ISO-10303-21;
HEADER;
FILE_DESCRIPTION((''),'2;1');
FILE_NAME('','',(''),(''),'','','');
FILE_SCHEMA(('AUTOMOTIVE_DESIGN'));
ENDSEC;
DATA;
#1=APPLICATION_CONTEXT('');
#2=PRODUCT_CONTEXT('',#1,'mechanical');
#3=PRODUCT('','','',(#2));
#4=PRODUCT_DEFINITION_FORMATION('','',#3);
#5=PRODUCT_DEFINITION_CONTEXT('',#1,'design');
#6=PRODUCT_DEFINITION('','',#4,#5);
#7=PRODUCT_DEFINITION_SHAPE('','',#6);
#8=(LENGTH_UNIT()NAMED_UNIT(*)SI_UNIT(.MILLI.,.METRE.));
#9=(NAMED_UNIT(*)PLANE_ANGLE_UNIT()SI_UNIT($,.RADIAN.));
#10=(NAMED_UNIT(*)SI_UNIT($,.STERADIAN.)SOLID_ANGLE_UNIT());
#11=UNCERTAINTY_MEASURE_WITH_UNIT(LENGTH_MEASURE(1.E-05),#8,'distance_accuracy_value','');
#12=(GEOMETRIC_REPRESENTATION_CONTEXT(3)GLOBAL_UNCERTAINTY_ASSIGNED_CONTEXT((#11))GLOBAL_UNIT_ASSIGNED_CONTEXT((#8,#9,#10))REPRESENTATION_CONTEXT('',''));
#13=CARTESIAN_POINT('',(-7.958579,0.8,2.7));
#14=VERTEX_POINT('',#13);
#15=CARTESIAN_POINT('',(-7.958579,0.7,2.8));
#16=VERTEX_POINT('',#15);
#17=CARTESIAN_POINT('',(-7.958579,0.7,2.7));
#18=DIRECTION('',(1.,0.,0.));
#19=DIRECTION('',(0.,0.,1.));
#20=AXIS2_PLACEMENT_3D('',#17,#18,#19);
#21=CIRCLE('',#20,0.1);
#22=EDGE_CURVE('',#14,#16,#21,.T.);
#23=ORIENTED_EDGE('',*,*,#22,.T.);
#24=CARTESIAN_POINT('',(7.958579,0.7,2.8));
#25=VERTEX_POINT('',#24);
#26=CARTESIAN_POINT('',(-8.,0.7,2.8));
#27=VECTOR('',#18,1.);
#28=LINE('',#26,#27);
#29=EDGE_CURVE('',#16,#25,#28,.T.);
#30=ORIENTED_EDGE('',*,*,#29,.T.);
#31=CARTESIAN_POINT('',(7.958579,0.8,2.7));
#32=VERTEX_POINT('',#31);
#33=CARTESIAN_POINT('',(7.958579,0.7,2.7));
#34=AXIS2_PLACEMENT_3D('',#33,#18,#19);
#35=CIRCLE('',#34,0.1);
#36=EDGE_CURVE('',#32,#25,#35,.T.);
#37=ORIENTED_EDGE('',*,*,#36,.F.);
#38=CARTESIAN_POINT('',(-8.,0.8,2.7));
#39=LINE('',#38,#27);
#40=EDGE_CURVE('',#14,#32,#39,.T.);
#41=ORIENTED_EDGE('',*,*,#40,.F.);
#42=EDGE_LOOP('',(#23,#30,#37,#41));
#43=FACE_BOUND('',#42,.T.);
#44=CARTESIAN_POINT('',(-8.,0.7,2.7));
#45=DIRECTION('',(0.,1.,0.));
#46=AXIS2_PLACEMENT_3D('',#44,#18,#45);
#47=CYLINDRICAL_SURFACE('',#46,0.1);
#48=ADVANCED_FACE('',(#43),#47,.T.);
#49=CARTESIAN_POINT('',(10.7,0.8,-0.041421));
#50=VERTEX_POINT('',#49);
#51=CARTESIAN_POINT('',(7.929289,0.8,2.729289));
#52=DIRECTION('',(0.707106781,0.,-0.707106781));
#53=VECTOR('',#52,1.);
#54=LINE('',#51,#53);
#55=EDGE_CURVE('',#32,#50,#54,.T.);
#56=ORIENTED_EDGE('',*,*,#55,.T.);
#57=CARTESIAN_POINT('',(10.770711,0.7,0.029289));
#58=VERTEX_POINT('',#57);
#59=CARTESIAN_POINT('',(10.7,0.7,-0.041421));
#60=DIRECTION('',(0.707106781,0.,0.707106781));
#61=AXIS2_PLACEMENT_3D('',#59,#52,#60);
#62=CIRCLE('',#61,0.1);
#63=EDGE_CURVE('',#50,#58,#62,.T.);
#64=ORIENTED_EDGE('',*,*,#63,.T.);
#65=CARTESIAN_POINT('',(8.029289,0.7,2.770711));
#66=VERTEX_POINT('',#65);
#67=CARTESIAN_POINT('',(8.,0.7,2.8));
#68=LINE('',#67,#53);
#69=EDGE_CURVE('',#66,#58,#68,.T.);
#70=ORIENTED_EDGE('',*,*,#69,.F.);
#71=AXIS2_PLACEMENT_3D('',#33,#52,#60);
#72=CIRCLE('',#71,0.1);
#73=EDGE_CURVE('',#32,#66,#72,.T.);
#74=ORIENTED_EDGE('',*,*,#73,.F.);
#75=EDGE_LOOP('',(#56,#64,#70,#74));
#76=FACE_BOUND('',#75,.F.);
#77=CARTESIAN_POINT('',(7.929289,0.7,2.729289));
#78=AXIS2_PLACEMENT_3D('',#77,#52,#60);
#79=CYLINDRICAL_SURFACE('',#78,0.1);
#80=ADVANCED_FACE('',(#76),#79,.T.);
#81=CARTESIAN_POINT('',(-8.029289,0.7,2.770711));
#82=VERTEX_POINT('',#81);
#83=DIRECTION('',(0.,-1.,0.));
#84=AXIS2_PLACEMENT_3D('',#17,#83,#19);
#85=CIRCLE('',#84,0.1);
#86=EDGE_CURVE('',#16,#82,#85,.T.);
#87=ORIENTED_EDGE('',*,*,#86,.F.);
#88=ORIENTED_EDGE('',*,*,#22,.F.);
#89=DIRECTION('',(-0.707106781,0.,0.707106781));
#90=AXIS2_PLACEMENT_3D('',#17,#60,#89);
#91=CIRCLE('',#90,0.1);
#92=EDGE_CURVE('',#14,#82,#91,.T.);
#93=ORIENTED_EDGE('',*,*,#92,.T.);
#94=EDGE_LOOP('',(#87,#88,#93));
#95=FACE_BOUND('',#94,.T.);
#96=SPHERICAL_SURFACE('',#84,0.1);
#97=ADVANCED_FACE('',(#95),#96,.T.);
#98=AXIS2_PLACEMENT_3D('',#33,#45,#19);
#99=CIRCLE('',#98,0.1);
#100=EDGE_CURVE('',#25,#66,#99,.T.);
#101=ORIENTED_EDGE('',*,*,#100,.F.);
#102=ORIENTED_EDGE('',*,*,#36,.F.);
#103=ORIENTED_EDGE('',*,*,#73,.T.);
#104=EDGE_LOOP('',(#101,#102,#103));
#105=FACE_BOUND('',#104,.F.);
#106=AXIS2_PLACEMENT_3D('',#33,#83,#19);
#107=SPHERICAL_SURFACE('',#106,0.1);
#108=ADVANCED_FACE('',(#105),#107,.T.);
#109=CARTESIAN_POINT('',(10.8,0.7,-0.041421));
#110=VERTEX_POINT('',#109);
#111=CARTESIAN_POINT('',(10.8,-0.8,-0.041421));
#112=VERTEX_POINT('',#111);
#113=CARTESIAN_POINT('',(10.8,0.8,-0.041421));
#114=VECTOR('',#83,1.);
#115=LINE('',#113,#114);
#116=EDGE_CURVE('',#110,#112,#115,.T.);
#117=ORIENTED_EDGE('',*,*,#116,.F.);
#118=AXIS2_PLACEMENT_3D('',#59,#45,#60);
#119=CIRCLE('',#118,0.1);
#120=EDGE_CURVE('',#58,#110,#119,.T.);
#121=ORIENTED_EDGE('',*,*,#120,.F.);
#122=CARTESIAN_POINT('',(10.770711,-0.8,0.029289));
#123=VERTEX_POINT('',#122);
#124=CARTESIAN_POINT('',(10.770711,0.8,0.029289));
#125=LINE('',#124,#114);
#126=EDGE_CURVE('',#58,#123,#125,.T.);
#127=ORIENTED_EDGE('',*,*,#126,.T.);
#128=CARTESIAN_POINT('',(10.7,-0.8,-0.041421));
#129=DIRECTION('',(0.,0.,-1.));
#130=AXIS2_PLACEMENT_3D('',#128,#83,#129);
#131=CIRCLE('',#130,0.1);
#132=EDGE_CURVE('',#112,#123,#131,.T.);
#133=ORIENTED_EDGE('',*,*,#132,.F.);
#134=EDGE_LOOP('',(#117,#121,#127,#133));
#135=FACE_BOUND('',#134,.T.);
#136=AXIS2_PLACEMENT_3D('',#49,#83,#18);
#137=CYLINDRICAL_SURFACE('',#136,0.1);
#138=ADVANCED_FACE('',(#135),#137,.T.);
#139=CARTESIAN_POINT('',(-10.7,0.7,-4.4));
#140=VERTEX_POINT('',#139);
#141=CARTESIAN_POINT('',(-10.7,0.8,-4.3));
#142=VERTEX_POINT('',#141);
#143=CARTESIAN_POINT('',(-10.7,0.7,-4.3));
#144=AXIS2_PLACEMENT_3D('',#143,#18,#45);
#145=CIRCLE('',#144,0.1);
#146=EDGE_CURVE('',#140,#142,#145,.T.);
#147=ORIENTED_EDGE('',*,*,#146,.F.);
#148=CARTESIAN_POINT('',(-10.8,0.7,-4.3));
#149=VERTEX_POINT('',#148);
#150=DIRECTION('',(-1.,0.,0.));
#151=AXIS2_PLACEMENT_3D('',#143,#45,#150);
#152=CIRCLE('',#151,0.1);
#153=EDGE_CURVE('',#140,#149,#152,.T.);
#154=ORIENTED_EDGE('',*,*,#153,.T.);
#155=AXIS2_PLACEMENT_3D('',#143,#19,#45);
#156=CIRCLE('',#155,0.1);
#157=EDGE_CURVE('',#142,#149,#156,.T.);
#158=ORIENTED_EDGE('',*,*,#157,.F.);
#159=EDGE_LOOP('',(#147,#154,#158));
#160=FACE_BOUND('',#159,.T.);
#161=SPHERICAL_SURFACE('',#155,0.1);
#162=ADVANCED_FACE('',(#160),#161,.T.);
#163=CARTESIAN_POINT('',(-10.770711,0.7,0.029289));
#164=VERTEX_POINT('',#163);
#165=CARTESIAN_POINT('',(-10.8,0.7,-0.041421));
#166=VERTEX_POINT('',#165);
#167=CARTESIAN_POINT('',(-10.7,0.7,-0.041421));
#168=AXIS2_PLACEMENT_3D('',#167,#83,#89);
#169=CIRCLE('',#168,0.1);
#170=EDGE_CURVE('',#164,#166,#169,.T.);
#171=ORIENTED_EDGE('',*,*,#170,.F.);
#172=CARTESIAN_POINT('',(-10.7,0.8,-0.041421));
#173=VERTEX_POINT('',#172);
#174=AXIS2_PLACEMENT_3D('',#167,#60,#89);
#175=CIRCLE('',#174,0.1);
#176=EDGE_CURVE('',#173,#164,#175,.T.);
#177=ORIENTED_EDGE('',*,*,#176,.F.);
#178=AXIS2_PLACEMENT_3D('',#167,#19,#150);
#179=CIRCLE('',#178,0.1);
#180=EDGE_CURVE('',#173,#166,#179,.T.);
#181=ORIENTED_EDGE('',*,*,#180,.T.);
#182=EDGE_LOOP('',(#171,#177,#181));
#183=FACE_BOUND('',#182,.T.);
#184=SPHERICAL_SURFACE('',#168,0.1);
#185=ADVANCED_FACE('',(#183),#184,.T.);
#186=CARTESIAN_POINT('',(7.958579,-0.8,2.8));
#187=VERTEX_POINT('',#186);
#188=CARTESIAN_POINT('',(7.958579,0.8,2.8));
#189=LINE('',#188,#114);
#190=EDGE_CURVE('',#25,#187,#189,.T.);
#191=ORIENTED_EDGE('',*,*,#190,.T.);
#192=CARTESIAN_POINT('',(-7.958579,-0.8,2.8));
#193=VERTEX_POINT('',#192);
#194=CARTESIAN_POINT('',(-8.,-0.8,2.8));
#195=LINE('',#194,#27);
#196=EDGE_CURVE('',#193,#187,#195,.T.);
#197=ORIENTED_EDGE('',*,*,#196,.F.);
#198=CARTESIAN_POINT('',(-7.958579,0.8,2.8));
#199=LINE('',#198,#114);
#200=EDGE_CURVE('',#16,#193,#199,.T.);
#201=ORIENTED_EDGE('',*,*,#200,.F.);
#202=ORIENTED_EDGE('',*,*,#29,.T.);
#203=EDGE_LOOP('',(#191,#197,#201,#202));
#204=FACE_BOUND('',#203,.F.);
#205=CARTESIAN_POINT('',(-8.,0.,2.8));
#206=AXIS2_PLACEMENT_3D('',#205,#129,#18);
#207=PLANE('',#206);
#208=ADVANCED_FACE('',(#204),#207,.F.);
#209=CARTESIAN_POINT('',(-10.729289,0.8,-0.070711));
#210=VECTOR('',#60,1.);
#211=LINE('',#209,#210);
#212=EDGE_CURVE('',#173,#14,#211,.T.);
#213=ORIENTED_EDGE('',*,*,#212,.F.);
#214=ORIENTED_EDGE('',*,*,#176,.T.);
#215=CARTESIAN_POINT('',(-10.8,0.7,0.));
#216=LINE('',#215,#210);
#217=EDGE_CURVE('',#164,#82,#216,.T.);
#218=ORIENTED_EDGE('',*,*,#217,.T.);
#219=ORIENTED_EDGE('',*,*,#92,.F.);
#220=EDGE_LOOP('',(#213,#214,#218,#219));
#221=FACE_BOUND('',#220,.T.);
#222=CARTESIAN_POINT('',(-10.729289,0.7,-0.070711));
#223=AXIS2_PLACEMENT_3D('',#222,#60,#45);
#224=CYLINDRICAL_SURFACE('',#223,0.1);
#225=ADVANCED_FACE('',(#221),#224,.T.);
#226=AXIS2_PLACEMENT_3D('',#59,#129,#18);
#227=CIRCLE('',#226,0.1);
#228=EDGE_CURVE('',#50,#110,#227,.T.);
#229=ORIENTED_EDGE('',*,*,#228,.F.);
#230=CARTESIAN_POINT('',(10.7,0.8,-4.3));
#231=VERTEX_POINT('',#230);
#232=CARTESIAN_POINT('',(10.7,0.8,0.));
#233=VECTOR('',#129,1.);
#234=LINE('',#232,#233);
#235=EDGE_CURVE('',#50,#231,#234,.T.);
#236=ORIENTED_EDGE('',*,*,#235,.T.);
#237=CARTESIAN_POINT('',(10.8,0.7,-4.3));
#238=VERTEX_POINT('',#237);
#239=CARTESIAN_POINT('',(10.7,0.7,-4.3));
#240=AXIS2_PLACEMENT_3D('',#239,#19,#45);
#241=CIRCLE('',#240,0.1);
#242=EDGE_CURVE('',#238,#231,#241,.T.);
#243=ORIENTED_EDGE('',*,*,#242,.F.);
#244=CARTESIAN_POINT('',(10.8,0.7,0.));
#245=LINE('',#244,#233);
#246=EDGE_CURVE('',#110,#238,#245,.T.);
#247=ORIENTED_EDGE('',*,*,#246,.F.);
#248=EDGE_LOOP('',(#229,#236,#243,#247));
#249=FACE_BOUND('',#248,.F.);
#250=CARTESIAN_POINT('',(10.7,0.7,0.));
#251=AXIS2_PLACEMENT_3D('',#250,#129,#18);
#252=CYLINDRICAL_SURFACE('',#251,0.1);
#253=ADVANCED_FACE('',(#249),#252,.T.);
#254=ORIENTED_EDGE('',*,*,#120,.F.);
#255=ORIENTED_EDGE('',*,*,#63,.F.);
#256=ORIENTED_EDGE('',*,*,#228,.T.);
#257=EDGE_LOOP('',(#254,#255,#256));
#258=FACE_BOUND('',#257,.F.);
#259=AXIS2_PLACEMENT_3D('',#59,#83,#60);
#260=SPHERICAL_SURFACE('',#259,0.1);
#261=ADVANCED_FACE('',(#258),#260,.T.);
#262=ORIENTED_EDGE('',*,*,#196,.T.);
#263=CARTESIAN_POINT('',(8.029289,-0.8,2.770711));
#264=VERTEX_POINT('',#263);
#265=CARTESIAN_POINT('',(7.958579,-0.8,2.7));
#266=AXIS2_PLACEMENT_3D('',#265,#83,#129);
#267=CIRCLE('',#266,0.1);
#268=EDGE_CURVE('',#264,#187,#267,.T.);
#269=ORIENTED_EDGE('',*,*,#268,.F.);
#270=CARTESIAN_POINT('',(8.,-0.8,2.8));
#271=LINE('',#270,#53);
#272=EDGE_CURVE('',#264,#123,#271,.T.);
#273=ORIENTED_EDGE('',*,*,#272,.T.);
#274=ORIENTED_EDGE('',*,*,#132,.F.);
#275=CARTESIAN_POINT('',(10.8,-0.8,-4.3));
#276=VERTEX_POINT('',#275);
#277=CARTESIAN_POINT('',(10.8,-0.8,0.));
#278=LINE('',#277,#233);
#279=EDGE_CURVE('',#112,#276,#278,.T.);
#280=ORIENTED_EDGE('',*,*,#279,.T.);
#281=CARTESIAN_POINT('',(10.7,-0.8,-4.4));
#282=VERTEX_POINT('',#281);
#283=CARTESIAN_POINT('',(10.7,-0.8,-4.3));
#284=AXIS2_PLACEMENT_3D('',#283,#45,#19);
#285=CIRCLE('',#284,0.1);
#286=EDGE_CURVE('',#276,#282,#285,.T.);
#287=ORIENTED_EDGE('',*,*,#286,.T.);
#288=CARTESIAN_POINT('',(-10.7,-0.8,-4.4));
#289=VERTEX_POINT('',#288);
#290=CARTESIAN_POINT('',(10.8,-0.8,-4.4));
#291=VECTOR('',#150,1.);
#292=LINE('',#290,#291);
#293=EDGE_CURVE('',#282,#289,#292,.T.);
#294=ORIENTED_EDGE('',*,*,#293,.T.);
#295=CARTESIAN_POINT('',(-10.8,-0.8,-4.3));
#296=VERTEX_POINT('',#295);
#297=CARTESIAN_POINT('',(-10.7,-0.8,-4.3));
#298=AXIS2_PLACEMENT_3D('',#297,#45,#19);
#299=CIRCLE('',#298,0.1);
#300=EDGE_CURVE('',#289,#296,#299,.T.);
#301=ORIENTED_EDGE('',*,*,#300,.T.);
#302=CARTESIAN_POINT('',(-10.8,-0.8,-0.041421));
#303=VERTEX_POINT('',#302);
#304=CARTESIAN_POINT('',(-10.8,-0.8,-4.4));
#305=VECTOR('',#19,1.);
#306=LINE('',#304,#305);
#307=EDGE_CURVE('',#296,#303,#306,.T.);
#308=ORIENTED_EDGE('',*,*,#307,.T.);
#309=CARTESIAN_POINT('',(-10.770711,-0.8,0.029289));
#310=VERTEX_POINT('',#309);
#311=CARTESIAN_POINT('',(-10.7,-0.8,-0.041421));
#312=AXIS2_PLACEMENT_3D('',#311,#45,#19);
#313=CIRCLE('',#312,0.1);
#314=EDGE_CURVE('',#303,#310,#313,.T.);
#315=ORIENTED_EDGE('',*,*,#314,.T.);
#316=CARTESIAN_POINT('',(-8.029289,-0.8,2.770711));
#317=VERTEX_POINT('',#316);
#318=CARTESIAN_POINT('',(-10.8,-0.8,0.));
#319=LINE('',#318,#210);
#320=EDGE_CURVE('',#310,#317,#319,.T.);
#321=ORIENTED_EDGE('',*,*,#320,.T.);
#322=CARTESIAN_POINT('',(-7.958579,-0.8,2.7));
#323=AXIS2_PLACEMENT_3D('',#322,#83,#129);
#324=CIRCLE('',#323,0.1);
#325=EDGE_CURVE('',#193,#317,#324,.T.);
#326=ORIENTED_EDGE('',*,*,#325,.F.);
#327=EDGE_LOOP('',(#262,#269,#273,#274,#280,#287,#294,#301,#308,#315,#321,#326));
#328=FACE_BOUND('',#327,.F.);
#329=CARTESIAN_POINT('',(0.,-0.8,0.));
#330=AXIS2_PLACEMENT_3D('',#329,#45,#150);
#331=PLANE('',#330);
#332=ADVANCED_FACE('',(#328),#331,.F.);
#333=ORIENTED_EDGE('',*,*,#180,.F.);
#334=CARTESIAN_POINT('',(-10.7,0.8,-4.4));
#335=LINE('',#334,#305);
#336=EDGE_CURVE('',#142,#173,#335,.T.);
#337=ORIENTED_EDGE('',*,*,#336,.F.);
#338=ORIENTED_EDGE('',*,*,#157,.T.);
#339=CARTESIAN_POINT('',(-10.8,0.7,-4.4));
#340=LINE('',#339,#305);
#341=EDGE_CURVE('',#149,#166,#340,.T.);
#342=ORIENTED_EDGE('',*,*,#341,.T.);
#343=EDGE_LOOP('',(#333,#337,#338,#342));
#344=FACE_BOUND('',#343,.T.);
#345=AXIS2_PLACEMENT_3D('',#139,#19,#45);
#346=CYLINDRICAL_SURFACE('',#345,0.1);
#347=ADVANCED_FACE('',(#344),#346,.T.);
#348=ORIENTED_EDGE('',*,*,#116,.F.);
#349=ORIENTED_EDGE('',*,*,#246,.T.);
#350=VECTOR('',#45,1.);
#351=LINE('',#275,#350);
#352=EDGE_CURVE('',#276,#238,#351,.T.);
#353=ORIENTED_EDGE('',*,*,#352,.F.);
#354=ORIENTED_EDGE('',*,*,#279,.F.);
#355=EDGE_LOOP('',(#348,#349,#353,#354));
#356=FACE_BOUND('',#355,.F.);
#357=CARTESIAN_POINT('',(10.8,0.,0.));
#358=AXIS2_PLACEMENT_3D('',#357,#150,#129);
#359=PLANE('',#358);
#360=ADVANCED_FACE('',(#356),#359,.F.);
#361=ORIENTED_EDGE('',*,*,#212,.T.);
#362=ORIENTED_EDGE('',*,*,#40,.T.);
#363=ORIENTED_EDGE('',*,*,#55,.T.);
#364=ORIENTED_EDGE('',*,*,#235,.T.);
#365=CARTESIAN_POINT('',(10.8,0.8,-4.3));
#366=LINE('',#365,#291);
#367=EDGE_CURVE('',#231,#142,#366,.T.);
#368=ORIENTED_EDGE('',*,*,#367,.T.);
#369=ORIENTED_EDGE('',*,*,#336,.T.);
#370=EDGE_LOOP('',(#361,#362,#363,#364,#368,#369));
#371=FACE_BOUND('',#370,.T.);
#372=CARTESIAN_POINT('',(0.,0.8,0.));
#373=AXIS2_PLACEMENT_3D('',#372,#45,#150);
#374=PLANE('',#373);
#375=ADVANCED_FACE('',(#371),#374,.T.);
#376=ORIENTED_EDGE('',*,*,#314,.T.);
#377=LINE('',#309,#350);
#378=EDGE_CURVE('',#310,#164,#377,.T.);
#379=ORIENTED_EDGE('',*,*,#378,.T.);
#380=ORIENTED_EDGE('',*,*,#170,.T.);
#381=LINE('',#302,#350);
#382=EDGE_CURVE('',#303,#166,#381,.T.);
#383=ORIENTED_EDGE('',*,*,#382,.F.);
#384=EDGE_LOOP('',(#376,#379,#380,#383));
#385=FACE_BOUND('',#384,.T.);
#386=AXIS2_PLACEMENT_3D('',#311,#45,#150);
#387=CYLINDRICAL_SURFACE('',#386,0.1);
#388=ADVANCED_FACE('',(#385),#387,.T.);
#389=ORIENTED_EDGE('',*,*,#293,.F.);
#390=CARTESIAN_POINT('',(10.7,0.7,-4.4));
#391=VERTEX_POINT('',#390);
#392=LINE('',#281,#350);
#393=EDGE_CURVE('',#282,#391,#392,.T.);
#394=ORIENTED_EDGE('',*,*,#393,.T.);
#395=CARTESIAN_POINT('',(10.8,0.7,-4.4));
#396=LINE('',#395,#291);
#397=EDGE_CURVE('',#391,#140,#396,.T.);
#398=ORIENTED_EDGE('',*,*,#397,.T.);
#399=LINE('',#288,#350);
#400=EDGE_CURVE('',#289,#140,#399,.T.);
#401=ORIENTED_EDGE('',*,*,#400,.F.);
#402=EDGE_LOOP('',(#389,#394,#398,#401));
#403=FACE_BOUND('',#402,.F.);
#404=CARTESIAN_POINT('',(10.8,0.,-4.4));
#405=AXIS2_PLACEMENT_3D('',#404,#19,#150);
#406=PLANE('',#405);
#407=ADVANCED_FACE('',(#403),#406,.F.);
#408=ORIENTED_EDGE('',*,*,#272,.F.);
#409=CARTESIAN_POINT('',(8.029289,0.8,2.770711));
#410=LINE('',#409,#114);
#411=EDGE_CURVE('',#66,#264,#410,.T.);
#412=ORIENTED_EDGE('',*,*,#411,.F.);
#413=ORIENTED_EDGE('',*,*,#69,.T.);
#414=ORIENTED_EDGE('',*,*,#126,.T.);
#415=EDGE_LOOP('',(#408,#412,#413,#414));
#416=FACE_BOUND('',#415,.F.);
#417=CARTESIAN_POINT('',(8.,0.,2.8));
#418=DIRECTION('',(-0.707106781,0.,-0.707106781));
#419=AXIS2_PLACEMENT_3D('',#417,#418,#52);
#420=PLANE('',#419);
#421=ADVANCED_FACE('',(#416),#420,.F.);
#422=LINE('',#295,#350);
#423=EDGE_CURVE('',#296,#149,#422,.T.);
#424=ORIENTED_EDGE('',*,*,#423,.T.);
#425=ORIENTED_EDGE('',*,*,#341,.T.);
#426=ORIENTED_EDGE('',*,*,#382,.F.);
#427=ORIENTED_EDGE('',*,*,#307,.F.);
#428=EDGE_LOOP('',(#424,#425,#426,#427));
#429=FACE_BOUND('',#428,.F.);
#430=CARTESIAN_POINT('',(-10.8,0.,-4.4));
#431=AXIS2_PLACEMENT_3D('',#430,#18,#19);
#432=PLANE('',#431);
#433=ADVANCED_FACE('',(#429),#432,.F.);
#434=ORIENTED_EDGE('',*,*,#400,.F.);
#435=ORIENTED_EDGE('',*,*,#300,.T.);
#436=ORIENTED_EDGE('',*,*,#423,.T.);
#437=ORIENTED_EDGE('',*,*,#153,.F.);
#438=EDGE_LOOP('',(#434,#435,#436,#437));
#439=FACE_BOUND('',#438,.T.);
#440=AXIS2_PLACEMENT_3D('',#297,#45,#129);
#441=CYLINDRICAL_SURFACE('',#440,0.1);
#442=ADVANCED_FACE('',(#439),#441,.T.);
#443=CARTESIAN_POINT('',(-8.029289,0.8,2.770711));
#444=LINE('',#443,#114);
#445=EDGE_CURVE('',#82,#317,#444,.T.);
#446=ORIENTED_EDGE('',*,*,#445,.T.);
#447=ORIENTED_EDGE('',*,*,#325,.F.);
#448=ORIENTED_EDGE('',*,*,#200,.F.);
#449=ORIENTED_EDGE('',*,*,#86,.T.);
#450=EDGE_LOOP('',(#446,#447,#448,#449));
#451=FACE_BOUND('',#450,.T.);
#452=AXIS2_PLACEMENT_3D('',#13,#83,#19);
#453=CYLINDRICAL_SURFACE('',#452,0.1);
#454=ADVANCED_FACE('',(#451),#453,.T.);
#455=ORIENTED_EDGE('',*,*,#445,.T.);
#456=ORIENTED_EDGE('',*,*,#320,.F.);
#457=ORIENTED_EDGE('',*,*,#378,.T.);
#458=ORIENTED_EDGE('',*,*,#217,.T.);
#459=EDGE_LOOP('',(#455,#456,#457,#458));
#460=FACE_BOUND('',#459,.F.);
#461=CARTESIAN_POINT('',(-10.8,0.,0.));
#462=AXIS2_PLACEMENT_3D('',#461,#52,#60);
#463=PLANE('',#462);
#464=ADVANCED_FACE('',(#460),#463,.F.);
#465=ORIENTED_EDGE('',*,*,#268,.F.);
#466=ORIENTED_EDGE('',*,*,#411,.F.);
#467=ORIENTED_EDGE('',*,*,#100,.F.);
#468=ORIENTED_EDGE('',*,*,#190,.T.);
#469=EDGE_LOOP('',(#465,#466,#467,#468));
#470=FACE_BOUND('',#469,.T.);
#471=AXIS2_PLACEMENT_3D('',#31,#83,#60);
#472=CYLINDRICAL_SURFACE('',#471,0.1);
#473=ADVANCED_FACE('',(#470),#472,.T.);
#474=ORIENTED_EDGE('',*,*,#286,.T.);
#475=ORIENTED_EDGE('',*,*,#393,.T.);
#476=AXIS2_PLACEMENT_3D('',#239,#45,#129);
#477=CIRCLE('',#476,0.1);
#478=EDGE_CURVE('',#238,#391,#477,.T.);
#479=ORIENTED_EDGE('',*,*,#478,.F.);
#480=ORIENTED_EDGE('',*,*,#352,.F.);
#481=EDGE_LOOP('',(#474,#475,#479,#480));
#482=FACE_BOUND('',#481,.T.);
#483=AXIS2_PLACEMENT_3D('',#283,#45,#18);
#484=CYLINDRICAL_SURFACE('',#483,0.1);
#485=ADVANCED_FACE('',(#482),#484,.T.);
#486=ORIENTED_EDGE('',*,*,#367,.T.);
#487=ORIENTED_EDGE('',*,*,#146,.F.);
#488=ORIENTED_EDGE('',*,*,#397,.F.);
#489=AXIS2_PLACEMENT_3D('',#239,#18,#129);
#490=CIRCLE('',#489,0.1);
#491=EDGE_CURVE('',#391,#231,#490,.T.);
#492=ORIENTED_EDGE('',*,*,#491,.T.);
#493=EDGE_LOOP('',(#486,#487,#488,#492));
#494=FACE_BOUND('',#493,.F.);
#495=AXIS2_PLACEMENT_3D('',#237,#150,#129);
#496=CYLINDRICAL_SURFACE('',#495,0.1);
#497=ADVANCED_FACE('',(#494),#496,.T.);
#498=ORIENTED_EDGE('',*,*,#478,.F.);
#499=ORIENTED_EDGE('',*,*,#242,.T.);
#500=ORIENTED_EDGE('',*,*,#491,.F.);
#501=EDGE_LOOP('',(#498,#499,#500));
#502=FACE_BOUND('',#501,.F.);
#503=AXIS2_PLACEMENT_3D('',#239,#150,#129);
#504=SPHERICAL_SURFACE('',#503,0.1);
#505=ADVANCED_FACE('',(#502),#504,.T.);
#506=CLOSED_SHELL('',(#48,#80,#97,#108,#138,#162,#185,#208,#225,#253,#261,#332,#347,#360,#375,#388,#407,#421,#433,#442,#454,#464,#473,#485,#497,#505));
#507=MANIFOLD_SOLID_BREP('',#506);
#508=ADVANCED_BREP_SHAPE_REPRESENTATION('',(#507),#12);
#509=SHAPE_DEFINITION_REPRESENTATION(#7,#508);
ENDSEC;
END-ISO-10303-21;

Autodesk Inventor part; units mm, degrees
ref_plane "YZ Plane" through (0, 0, 0) normal (1, 0, 0) x (0, 1, 0)
ref_plane "XZ Plane" through (0, 0, 0) normal (0, 1, 0) x (-1, 0, 0)
ref_plane "XY Plane" through (0, 0, 0) normal (0, 0, 1) x (1, 0, 0)
sketch "Sketch2" plane through (0, 0, 0) normal (0, 1, 0) x (-1, 0, 0)
  line L0 (-10.8, -4.4) -> (10.8, -4.4)
  line L1 (10.8, -4.4) -> (10.8, 0)
  line L2 (10.8, 0) -> (8, 2.8)
  line L3 (8, 2.8) -> (-8, 2.8)
  line L4 (-8, 2.8) -> (-10.8, 0)
  line L5 (-10.8, 0) -> (-10.8, -4.4)
  point P0 (0, 0)
  point P1 (0, -4.4)
  point P2 (0, 2.8)
  dimension "d0" = 16
  dimension "d1" = 21.6
  dimension "d2" = 7.2
extrude "Extrusion1" add sketch "Sketch2" along normal mid plane 1.6
fillet "Fillet1" radius 0.1 12 edges at (-9.4, 0.8, 1.4) (-10.8, 0.8, -2.2) (0, 0.8, -4.4) (-8, 0, 2.8) (-10.8, 0, 0) (-10.8, 0, -4.4) (10.8, 0, -4.4) (10.8, 0.8, -2.2) (10.8, 0, 0) (9.4, 0.8, 1.4) (8, 0, 2.8) (0, 0.8, 2.8)
equation "\"d0\" = 2 * lu"
equation "\"d3\" = wall"
equation "\"lu\" = 8"
equation "\"wall\" = 1.6"
properties part number "11236-LtBluishGray" material "ABS Plastic"
